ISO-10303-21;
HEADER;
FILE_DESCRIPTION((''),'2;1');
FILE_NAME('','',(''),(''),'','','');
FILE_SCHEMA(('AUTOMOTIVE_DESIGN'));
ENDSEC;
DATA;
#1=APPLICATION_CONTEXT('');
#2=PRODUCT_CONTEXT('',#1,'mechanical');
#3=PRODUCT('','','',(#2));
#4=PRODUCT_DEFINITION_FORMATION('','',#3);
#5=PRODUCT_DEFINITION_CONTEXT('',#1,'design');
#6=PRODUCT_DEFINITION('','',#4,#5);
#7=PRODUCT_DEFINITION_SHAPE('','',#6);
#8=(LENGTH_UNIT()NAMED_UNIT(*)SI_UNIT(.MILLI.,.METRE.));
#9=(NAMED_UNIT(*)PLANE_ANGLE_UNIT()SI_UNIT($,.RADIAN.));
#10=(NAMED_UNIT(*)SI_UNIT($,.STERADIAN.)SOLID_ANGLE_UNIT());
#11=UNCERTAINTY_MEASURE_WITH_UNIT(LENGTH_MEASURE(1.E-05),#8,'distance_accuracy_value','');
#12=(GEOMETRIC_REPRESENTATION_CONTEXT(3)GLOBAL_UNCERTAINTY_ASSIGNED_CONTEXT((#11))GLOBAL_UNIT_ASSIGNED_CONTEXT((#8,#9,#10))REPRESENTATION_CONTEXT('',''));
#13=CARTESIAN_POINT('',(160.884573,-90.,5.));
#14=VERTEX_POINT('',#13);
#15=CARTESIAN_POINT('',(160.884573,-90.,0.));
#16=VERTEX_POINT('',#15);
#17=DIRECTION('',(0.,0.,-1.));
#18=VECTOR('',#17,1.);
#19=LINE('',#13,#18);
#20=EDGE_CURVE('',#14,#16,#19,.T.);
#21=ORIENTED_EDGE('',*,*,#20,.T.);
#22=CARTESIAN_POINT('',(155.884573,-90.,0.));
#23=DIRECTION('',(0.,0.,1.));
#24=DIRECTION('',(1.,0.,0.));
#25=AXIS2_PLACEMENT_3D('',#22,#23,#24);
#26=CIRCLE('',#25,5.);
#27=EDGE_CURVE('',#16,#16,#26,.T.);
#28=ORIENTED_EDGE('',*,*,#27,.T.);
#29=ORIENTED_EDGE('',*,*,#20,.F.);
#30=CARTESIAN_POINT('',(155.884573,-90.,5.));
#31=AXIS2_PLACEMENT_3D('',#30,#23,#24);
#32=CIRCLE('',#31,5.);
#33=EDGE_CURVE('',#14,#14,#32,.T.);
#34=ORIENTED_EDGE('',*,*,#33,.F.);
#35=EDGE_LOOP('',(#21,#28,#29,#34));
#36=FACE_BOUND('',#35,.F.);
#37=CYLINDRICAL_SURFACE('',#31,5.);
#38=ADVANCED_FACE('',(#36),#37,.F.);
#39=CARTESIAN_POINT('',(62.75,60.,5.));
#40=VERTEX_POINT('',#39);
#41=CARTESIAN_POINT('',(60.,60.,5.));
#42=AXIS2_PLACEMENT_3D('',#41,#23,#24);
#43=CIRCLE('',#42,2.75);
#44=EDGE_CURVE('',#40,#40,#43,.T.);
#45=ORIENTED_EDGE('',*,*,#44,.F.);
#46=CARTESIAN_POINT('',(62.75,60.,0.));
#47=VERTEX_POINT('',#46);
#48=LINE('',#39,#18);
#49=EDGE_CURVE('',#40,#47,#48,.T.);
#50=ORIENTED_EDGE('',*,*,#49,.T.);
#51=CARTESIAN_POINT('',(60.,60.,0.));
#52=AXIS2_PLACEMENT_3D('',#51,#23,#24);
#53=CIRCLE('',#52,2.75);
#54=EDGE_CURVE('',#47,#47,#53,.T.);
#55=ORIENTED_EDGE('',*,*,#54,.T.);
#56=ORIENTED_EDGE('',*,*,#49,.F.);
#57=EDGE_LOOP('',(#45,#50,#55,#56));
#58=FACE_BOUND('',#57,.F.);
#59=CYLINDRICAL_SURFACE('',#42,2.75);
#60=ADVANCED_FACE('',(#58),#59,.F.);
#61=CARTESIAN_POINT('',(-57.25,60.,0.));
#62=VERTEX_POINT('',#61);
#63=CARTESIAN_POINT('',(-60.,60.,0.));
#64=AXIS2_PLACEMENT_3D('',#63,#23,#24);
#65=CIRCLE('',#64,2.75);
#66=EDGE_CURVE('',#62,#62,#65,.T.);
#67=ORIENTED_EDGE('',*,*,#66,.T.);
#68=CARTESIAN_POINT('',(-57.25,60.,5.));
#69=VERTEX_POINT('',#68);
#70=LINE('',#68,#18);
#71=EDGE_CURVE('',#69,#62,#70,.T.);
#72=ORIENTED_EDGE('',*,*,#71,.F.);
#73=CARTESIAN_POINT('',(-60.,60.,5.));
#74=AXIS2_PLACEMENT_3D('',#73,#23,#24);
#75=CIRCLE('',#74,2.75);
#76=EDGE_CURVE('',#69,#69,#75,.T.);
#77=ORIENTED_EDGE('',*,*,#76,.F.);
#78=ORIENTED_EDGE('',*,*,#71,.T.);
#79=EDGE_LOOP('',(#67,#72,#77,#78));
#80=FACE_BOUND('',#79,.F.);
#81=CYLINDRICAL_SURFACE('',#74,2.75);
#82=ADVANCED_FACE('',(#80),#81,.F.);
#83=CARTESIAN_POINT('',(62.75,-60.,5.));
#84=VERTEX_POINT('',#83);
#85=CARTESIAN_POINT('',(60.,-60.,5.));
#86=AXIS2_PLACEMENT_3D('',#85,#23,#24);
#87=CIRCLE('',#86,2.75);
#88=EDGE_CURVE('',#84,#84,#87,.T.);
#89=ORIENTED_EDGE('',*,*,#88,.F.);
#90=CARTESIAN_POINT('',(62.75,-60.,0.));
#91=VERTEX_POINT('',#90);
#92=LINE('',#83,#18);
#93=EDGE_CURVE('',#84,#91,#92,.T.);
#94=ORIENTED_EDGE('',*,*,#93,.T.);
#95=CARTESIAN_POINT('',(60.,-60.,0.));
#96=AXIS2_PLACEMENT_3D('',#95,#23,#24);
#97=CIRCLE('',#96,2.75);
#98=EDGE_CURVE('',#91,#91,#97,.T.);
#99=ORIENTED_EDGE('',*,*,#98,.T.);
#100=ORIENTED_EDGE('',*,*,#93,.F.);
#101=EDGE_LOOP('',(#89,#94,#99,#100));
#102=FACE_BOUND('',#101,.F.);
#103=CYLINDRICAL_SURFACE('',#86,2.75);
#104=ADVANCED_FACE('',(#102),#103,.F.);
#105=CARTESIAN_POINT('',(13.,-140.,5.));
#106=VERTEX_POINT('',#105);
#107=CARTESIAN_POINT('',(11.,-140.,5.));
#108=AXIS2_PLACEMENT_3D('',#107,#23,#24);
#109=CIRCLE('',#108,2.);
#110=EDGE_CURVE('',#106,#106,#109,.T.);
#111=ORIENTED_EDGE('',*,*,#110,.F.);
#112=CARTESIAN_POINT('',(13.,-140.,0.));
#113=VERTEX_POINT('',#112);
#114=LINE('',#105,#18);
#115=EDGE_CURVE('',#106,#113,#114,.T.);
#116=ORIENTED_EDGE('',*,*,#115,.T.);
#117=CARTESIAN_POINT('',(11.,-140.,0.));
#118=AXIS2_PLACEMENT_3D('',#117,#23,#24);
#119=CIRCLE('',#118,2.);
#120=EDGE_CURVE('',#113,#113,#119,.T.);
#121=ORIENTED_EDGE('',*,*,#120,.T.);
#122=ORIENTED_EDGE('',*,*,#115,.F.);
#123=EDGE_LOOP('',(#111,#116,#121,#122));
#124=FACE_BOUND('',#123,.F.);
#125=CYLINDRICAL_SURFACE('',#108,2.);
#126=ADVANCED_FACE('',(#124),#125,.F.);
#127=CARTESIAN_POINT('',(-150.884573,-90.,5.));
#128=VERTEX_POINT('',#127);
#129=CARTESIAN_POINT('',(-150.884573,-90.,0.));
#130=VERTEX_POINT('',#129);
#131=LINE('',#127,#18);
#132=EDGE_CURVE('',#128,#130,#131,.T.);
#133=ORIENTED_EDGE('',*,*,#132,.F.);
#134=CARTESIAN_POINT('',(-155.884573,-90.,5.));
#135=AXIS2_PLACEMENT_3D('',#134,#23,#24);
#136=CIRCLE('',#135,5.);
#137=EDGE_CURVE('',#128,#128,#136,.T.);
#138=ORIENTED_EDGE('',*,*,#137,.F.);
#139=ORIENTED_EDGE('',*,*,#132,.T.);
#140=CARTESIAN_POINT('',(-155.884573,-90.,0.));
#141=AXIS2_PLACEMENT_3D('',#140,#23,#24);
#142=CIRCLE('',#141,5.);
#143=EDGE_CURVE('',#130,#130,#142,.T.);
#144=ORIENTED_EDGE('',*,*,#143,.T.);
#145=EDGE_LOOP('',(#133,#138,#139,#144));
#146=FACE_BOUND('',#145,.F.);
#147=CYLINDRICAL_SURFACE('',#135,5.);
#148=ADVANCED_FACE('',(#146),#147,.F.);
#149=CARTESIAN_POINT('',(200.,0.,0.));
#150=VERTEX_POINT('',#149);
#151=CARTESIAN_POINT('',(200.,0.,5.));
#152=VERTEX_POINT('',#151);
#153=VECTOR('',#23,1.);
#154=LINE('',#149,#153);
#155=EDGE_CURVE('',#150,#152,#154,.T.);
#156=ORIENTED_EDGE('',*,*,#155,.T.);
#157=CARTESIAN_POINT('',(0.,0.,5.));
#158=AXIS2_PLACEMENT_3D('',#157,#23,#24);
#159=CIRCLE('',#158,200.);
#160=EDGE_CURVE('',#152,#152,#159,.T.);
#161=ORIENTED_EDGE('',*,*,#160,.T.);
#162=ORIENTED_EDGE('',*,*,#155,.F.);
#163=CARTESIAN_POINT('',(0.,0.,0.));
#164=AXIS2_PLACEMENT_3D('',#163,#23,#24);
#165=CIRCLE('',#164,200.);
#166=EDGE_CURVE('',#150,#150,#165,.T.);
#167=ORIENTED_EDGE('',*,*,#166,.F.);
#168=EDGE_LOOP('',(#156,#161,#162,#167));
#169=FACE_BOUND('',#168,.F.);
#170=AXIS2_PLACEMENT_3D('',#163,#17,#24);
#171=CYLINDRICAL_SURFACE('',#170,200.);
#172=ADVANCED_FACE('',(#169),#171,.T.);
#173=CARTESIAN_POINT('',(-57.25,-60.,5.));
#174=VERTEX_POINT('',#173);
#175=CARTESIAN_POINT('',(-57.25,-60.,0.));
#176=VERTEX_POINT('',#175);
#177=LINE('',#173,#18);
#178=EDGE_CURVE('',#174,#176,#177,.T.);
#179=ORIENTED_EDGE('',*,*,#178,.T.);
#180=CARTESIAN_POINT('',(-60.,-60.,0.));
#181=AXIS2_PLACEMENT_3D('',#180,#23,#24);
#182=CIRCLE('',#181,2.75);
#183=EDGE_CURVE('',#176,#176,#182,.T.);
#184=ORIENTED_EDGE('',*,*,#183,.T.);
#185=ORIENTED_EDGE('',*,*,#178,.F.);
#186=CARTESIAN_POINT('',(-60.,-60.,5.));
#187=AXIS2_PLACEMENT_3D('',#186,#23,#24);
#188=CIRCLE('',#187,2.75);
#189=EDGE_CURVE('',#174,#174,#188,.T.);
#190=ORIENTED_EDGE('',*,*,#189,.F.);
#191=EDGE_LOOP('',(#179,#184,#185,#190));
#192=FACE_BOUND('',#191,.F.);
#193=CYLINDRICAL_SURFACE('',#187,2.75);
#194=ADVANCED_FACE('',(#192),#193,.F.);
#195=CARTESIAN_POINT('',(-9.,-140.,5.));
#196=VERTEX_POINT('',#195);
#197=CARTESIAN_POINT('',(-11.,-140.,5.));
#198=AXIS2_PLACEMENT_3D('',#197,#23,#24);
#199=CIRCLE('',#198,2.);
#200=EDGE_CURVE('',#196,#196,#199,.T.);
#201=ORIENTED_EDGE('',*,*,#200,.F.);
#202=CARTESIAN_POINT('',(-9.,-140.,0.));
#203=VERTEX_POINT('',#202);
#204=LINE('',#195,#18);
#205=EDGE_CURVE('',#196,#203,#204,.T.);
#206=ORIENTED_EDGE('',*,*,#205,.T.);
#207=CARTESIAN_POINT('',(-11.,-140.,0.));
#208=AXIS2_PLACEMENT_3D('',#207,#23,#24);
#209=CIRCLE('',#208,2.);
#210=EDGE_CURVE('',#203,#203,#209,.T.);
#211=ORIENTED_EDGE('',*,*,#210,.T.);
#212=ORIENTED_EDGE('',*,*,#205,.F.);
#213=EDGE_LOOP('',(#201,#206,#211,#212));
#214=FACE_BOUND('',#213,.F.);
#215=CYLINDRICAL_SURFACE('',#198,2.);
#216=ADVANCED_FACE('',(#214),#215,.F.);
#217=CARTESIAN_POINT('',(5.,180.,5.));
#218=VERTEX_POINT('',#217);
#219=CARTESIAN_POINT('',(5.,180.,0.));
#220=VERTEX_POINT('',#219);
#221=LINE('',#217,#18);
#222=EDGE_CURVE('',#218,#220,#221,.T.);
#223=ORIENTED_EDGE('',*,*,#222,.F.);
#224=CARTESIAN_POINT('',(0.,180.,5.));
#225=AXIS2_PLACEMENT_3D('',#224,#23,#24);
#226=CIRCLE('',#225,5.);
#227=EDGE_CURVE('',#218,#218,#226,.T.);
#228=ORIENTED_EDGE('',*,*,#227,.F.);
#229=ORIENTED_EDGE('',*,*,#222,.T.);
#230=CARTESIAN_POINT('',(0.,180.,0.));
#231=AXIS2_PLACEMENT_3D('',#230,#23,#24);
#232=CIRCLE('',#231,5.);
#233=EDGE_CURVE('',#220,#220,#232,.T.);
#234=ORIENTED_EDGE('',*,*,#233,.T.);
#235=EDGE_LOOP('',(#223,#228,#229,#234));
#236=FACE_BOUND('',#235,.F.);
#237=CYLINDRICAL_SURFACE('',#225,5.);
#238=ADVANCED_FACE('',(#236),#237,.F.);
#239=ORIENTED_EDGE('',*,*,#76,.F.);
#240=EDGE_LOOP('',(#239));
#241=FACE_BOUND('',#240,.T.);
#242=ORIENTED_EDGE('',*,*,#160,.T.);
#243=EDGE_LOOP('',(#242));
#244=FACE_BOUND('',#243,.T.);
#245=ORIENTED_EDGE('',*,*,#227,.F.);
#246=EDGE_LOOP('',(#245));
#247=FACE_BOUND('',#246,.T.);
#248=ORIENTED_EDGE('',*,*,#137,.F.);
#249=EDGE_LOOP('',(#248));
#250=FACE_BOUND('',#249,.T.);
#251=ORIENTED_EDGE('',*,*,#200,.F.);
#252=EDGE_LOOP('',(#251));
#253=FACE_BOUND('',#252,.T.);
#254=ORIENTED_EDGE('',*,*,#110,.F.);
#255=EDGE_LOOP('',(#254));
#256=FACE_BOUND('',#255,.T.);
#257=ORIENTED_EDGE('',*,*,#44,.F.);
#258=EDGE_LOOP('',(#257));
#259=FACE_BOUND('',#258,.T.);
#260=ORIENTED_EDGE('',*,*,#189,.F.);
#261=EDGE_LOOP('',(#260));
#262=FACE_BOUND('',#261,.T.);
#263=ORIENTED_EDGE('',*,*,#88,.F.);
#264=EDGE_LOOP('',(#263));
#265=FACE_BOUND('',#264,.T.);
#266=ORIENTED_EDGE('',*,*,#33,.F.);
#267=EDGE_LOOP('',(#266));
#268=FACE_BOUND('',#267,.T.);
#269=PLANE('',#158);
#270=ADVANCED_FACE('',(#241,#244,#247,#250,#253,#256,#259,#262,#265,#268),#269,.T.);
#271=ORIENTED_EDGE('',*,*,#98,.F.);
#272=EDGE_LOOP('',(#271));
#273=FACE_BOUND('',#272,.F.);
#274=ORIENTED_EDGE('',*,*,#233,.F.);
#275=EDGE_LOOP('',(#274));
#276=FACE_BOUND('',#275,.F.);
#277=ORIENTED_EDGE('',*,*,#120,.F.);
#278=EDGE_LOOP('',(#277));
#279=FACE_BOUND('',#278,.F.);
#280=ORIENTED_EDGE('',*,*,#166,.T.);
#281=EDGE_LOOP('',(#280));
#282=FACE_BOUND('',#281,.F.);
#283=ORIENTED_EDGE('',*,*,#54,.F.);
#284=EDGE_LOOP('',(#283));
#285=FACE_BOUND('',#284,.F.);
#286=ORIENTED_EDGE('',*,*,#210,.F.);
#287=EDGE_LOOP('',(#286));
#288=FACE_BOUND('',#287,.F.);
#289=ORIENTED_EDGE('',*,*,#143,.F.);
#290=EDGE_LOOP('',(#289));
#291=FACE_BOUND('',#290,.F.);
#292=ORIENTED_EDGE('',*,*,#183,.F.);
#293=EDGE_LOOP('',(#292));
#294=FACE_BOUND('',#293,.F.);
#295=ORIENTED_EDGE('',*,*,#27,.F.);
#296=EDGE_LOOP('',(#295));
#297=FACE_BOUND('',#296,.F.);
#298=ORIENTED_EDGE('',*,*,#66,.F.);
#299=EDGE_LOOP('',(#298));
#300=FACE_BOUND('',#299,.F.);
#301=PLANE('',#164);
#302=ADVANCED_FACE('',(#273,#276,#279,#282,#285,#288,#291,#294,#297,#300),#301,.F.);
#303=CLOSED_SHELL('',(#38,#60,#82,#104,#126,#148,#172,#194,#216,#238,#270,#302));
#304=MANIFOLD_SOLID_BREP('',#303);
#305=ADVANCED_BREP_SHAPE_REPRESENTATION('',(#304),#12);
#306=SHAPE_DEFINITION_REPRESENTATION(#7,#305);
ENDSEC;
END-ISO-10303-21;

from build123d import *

# Parameters (mm, degrees)
SKETCH1_R           = 200
BOSS_EXTRUDE1_DEPTH = 5
CUT_EXTRUDE1_REACH  = 7
SKETCH2_R           = 5
CUT_EXTRUDE2_REACH  = 7
SKETCH3_R           = 2.75
CUT_EXTRUDE3_REACH  = 7
SKETCH4_R           = 2


with BuildPart() as part:
    # Sketch1 → Boss-Extrude1 (new body)
    with BuildSketch(Plane.XY):
        Circle(SKETCH1_R)
    extrude(amount=BOSS_EXTRUDE1_DEPTH)

    # Sketch2 → Cut-Extrude1 (cut, up to next)
    with BuildSketch(Plane.XY.offset(5), mode=Mode.PRIVATE) as cut_extrude1_sk1:
        with Locations((0, 180)):
            Circle(SKETCH2_R)
    cut_extrude1_tool1 = extrude(cut_extrude1_sk1.sketch, amount=-CUT_EXTRUDE1_REACH, mode=Mode.PRIVATE) & part.part
    add(cut_extrude1_tool1.solids().sort_by_distance((0, 180, 5))[0], mode=Mode.SUBTRACT)
    # Sketch2 → Cut-Extrude1 (cut, up to next)
    with BuildSketch(Plane.XY.offset(5), mode=Mode.PRIVATE) as cut_extrude1_sk2:
        with Locations((155.884572681, -90)):
            Circle(SKETCH2_R)
    cut_extrude1_tool2 = extrude(cut_extrude1_sk2.sketch, amount=-CUT_EXTRUDE1_REACH, mode=Mode.PRIVATE) & part.part
    add(cut_extrude1_tool2.solids().sort_by_distance((155.884573, -90, 5))[0], mode=Mode.SUBTRACT)
    # Sketch2 → Cut-Extrude1 (cut, up to next)
    with BuildSketch(Plane.XY.offset(5), mode=Mode.PRIVATE) as cut_extrude1_sk3:
        with Locations((-155.884572681, -90)):
            Circle(SKETCH2_R)
    cut_extrude1_tool3 = extrude(cut_extrude1_sk3.sketch, amount=-CUT_EXTRUDE1_REACH, mode=Mode.PRIVATE) & part.part
    add(cut_extrude1_tool3.solids().sort_by_distance((-155.884573, -90, 5))[0], mode=Mode.SUBTRACT)

    # Sketch3 → Cut-Extrude2 (cut, up to next)
    with BuildSketch(Plane.XY.offset(5), mode=Mode.PRIVATE) as cut_extrude2_sk1:
        with Locations((-60, 60)):
            Circle(SKETCH3_R)
    cut_extrude2_tool1 = extrude(cut_extrude2_sk1.sketch, amount=-CUT_EXTRUDE2_REACH, mode=Mode.PRIVATE) & part.part
    add(cut_extrude2_tool1.solids().sort_by_distance((-60, 60, 5))[0], mode=Mode.SUBTRACT)
    # Sketch3 → Cut-Extrude2 (cut, up to next)
    with BuildSketch(Plane.XY.offset(5), mode=Mode.PRIVATE) as cut_extrude2_sk2:
        with Locations((60, 60)):
            Circle(SKETCH3_R)
    cut_extrude2_tool2 = extrude(cut_extrude2_sk2.sketch, amount=-CUT_EXTRUDE2_REACH, mode=Mode.PRIVATE) & part.part
    add(cut_extrude2_tool2.solids().sort_by_distance((60, 60, 5))[0], mode=Mode.SUBTRACT)
    # Sketch3 → Cut-Extrude2 (cut, up to next)
    with BuildSketch(Plane.XY.offset(5), mode=Mode.PRIVATE) as cut_extrude2_sk3:
        with Locations((60, -60)):
            Circle(SKETCH3_R)
    cut_extrude2_tool3 = extrude(cut_extrude2_sk3.sketch, amount=-CUT_EXTRUDE2_REACH, mode=Mode.PRIVATE) & part.part
    add(cut_extrude2_tool3.solids().sort_by_distance((60, -60, 5))[0], mode=Mode.SUBTRACT)
    # Sketch3 → Cut-Extrude2 (cut, up to next)
    with BuildSketch(Plane.XY.offset(5), mode=Mode.PRIVATE) as cut_extrude2_sk4:
        with Locations((-60, -60)):
            Circle(SKETCH3_R)
    cut_extrude2_tool4 = extrude(cut_extrude2_sk4.sketch, amount=-CUT_EXTRUDE2_REACH, mode=Mode.PRIVATE) & part.part
    add(cut_extrude2_tool4.solids().sort_by_distance((-60, -60, 5))[0], mode=Mode.SUBTRACT)

    # Sketch4 → Cut-Extrude3 (cut, up to next)
    with BuildSketch(Plane.XY.offset(5), mode=Mode.PRIVATE) as cut_extrude3_sk1:
        with Locations((11, -140)):
            Circle(SKETCH4_R)
    cut_extrude3_tool1 = extrude(cut_extrude3_sk1.sketch, amount=-CUT_EXTRUDE3_REACH, mode=Mode.PRIVATE) & part.part
    add(cut_extrude3_tool1.solids().sort_by_distance((11, -140, 5))[0], mode=Mode.SUBTRACT)
    # Sketch4 → Cut-Extrude3 (cut, up to next)
    with BuildSketch(Plane.XY.offset(5), mode=Mode.PRIVATE) as cut_extrude3_sk2:
        with Locations((-11, -140)):
            Circle(SKETCH4_R)
    cut_extrude3_tool2 = extrude(cut_extrude3_sk2.sketch, amount=-CUT_EXTRUDE3_REACH, mode=Mode.PRIVATE) & part.part
    add(cut_extrude3_tool2.solids().sort_by_distance((-11, -140, 5))[0], mode=Mode.SUBTRACT)


solid = part.part
